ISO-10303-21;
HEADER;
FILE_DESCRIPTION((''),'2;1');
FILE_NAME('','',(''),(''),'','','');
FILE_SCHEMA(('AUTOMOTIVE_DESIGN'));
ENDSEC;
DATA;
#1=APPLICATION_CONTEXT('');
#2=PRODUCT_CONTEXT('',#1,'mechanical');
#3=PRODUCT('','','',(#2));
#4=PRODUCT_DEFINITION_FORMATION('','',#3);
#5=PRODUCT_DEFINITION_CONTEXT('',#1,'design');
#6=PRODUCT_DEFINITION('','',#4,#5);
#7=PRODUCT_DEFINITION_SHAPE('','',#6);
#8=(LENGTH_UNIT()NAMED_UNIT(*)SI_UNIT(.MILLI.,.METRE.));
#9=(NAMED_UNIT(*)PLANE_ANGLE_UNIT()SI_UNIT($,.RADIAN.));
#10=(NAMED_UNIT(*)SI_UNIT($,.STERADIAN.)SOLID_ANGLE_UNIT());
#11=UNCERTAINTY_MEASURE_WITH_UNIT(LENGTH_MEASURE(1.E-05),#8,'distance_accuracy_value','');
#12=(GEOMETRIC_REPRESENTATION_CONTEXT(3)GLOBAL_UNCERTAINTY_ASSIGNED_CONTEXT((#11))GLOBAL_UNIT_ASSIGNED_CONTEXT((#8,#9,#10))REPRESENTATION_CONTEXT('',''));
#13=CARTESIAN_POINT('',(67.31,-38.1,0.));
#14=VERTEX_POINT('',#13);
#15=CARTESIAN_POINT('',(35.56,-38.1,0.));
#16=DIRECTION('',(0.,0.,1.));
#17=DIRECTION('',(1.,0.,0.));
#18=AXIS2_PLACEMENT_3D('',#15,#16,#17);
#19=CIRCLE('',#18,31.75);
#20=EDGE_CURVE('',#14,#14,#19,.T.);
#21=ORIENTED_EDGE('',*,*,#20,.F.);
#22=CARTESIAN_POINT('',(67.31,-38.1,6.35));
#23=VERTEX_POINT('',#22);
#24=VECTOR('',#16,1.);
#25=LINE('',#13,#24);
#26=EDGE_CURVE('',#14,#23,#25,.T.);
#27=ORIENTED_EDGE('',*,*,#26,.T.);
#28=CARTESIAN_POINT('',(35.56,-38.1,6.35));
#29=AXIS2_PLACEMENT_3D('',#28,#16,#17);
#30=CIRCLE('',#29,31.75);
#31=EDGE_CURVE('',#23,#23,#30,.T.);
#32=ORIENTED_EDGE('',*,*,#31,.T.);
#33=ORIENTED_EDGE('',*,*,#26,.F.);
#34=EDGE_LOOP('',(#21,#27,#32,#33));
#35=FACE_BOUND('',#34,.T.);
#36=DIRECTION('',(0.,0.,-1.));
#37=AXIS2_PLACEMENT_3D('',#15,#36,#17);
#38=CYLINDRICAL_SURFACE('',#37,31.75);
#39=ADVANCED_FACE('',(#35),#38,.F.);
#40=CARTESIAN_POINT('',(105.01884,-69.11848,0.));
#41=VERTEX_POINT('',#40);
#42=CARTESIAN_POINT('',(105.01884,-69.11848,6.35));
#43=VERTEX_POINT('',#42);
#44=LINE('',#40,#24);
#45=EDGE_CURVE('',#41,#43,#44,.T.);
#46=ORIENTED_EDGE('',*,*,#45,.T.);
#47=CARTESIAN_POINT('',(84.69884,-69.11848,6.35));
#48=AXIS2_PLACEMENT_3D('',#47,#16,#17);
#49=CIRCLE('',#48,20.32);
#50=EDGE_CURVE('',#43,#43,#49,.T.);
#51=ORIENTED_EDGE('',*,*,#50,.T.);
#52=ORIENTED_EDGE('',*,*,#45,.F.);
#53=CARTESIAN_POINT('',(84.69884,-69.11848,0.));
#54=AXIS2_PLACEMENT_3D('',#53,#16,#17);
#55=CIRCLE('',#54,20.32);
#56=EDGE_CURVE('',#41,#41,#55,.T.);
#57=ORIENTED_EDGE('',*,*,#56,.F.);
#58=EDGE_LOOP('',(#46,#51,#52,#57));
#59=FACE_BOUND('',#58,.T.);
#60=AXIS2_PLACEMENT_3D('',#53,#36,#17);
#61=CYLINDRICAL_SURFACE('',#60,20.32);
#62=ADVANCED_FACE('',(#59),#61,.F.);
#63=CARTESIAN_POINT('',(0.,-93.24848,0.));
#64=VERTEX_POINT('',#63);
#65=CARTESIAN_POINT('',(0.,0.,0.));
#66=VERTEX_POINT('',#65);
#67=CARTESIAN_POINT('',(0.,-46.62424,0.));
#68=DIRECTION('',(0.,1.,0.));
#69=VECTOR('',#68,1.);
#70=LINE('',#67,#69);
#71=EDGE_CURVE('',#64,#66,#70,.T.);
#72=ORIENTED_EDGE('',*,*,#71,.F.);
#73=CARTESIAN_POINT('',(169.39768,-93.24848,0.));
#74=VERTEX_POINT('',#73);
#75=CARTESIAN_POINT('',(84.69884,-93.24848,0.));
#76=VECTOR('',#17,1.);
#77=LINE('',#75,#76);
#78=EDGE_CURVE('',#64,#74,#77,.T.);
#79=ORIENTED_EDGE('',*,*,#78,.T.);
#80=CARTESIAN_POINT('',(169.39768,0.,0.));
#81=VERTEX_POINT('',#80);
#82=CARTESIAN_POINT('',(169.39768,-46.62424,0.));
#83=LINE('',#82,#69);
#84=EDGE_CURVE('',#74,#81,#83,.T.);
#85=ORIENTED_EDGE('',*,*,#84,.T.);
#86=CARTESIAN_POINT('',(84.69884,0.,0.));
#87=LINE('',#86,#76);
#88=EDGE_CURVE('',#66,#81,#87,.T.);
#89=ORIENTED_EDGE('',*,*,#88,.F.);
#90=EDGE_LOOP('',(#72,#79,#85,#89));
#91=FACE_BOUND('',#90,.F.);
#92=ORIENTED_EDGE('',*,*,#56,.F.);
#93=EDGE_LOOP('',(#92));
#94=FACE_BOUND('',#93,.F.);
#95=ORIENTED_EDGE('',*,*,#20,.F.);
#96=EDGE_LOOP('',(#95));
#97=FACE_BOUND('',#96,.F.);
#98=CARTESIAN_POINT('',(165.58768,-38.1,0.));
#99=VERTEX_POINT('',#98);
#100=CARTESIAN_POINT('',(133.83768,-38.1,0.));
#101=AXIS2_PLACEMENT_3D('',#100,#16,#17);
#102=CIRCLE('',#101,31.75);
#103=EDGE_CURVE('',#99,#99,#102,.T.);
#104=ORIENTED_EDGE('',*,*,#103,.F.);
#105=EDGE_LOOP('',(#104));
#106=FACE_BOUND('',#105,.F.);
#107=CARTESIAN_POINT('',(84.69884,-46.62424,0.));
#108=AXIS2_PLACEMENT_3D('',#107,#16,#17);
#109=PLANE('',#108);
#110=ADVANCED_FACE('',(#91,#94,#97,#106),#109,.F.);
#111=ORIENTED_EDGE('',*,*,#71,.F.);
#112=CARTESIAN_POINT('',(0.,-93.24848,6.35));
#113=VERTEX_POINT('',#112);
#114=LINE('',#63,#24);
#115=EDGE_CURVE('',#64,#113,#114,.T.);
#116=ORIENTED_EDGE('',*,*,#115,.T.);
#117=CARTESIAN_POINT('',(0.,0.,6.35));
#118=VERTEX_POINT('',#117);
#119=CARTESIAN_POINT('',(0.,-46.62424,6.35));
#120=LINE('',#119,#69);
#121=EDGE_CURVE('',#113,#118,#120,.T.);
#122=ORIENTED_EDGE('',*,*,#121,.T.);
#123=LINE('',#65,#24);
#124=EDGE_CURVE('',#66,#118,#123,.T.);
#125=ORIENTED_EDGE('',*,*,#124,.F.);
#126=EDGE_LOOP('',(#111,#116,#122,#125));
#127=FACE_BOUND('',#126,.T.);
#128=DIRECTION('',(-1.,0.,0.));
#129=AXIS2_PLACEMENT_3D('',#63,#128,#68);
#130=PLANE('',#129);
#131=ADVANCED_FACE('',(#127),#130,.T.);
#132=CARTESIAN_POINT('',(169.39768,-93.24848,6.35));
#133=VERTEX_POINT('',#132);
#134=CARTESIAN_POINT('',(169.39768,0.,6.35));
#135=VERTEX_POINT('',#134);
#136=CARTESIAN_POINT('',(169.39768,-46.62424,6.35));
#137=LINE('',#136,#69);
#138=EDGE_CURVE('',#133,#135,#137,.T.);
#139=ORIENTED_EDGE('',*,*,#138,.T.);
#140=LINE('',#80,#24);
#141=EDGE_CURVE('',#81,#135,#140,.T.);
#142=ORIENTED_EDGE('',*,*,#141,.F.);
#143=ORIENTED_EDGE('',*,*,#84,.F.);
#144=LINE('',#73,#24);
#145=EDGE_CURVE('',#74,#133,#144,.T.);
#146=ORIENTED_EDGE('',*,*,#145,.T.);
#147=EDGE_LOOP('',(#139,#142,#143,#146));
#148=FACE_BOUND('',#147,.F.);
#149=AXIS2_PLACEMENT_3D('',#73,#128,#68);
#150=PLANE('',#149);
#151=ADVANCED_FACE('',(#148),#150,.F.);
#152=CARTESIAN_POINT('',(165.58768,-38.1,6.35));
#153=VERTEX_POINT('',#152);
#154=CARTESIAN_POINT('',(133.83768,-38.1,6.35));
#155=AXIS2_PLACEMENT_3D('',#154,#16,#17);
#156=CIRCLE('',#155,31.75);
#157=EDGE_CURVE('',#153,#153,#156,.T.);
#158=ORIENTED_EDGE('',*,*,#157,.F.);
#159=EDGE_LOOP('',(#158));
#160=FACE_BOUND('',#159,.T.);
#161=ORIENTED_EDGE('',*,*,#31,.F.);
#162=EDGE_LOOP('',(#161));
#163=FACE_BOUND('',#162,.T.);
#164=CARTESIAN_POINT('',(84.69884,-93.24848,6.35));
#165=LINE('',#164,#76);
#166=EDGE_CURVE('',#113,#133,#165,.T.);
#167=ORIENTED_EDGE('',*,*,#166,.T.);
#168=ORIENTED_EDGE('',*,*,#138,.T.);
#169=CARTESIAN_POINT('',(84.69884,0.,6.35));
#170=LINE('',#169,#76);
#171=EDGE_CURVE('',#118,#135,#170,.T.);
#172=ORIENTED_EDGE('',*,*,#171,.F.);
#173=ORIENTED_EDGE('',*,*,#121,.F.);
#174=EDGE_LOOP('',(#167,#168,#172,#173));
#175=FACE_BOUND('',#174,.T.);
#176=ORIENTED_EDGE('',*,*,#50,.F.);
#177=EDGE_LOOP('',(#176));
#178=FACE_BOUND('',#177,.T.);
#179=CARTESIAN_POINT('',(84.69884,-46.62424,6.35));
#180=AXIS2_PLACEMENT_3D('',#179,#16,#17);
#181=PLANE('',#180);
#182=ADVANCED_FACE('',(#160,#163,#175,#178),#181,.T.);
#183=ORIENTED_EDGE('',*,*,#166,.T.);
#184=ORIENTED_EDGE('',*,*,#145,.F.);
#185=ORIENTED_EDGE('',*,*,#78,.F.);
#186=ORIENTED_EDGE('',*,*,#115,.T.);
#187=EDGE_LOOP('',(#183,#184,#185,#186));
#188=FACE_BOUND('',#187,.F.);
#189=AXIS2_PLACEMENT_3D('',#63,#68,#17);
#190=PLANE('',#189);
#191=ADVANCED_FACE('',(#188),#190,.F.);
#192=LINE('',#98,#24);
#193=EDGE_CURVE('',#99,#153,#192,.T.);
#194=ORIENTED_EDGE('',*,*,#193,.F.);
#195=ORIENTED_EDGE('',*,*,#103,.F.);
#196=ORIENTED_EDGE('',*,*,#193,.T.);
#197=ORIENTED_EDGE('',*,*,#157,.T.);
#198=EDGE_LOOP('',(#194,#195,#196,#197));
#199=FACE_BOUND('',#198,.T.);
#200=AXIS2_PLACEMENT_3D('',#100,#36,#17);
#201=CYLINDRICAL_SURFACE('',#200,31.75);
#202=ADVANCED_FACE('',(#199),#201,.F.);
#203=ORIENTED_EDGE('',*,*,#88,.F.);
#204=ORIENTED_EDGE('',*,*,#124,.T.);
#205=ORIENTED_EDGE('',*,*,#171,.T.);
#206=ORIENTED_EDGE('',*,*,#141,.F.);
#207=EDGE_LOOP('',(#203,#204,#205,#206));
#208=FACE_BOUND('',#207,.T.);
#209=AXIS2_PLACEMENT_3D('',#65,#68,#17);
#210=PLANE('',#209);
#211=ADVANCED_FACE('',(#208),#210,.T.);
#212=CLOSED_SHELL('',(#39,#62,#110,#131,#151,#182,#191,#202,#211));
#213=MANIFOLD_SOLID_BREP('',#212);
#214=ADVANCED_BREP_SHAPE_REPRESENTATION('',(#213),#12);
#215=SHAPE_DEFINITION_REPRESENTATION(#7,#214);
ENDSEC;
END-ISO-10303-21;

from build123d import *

# Parameters (mm, degrees)
F0_W     = 169.39768
F0_H     = 93.24848
F0_R     = 20.32
F0_R_2   = 31.75
F1_DEPTH = 6.35


with BuildPart() as f1:
    # F0 (on Top) → F1 (new body)
    with BuildSketch(Plane.XY):
        with Locations((84.69884, -46.62424)):
            Rectangle(F0_W, F0_H)
        with Locations((84.69884, -69.11848)):
            Circle(F0_R, mode=Mode.SUBTRACT)
        with Locations((35.56, -38.1)):
            Circle(F0_R_2, mode=Mode.SUBTRACT)
        with Locations((133.83768, -38.1)):
            Circle(F0_R_2, mode=Mode.SUBTRACT)
    extrude(amount=F1_DEPTH)


solid = f1.part
